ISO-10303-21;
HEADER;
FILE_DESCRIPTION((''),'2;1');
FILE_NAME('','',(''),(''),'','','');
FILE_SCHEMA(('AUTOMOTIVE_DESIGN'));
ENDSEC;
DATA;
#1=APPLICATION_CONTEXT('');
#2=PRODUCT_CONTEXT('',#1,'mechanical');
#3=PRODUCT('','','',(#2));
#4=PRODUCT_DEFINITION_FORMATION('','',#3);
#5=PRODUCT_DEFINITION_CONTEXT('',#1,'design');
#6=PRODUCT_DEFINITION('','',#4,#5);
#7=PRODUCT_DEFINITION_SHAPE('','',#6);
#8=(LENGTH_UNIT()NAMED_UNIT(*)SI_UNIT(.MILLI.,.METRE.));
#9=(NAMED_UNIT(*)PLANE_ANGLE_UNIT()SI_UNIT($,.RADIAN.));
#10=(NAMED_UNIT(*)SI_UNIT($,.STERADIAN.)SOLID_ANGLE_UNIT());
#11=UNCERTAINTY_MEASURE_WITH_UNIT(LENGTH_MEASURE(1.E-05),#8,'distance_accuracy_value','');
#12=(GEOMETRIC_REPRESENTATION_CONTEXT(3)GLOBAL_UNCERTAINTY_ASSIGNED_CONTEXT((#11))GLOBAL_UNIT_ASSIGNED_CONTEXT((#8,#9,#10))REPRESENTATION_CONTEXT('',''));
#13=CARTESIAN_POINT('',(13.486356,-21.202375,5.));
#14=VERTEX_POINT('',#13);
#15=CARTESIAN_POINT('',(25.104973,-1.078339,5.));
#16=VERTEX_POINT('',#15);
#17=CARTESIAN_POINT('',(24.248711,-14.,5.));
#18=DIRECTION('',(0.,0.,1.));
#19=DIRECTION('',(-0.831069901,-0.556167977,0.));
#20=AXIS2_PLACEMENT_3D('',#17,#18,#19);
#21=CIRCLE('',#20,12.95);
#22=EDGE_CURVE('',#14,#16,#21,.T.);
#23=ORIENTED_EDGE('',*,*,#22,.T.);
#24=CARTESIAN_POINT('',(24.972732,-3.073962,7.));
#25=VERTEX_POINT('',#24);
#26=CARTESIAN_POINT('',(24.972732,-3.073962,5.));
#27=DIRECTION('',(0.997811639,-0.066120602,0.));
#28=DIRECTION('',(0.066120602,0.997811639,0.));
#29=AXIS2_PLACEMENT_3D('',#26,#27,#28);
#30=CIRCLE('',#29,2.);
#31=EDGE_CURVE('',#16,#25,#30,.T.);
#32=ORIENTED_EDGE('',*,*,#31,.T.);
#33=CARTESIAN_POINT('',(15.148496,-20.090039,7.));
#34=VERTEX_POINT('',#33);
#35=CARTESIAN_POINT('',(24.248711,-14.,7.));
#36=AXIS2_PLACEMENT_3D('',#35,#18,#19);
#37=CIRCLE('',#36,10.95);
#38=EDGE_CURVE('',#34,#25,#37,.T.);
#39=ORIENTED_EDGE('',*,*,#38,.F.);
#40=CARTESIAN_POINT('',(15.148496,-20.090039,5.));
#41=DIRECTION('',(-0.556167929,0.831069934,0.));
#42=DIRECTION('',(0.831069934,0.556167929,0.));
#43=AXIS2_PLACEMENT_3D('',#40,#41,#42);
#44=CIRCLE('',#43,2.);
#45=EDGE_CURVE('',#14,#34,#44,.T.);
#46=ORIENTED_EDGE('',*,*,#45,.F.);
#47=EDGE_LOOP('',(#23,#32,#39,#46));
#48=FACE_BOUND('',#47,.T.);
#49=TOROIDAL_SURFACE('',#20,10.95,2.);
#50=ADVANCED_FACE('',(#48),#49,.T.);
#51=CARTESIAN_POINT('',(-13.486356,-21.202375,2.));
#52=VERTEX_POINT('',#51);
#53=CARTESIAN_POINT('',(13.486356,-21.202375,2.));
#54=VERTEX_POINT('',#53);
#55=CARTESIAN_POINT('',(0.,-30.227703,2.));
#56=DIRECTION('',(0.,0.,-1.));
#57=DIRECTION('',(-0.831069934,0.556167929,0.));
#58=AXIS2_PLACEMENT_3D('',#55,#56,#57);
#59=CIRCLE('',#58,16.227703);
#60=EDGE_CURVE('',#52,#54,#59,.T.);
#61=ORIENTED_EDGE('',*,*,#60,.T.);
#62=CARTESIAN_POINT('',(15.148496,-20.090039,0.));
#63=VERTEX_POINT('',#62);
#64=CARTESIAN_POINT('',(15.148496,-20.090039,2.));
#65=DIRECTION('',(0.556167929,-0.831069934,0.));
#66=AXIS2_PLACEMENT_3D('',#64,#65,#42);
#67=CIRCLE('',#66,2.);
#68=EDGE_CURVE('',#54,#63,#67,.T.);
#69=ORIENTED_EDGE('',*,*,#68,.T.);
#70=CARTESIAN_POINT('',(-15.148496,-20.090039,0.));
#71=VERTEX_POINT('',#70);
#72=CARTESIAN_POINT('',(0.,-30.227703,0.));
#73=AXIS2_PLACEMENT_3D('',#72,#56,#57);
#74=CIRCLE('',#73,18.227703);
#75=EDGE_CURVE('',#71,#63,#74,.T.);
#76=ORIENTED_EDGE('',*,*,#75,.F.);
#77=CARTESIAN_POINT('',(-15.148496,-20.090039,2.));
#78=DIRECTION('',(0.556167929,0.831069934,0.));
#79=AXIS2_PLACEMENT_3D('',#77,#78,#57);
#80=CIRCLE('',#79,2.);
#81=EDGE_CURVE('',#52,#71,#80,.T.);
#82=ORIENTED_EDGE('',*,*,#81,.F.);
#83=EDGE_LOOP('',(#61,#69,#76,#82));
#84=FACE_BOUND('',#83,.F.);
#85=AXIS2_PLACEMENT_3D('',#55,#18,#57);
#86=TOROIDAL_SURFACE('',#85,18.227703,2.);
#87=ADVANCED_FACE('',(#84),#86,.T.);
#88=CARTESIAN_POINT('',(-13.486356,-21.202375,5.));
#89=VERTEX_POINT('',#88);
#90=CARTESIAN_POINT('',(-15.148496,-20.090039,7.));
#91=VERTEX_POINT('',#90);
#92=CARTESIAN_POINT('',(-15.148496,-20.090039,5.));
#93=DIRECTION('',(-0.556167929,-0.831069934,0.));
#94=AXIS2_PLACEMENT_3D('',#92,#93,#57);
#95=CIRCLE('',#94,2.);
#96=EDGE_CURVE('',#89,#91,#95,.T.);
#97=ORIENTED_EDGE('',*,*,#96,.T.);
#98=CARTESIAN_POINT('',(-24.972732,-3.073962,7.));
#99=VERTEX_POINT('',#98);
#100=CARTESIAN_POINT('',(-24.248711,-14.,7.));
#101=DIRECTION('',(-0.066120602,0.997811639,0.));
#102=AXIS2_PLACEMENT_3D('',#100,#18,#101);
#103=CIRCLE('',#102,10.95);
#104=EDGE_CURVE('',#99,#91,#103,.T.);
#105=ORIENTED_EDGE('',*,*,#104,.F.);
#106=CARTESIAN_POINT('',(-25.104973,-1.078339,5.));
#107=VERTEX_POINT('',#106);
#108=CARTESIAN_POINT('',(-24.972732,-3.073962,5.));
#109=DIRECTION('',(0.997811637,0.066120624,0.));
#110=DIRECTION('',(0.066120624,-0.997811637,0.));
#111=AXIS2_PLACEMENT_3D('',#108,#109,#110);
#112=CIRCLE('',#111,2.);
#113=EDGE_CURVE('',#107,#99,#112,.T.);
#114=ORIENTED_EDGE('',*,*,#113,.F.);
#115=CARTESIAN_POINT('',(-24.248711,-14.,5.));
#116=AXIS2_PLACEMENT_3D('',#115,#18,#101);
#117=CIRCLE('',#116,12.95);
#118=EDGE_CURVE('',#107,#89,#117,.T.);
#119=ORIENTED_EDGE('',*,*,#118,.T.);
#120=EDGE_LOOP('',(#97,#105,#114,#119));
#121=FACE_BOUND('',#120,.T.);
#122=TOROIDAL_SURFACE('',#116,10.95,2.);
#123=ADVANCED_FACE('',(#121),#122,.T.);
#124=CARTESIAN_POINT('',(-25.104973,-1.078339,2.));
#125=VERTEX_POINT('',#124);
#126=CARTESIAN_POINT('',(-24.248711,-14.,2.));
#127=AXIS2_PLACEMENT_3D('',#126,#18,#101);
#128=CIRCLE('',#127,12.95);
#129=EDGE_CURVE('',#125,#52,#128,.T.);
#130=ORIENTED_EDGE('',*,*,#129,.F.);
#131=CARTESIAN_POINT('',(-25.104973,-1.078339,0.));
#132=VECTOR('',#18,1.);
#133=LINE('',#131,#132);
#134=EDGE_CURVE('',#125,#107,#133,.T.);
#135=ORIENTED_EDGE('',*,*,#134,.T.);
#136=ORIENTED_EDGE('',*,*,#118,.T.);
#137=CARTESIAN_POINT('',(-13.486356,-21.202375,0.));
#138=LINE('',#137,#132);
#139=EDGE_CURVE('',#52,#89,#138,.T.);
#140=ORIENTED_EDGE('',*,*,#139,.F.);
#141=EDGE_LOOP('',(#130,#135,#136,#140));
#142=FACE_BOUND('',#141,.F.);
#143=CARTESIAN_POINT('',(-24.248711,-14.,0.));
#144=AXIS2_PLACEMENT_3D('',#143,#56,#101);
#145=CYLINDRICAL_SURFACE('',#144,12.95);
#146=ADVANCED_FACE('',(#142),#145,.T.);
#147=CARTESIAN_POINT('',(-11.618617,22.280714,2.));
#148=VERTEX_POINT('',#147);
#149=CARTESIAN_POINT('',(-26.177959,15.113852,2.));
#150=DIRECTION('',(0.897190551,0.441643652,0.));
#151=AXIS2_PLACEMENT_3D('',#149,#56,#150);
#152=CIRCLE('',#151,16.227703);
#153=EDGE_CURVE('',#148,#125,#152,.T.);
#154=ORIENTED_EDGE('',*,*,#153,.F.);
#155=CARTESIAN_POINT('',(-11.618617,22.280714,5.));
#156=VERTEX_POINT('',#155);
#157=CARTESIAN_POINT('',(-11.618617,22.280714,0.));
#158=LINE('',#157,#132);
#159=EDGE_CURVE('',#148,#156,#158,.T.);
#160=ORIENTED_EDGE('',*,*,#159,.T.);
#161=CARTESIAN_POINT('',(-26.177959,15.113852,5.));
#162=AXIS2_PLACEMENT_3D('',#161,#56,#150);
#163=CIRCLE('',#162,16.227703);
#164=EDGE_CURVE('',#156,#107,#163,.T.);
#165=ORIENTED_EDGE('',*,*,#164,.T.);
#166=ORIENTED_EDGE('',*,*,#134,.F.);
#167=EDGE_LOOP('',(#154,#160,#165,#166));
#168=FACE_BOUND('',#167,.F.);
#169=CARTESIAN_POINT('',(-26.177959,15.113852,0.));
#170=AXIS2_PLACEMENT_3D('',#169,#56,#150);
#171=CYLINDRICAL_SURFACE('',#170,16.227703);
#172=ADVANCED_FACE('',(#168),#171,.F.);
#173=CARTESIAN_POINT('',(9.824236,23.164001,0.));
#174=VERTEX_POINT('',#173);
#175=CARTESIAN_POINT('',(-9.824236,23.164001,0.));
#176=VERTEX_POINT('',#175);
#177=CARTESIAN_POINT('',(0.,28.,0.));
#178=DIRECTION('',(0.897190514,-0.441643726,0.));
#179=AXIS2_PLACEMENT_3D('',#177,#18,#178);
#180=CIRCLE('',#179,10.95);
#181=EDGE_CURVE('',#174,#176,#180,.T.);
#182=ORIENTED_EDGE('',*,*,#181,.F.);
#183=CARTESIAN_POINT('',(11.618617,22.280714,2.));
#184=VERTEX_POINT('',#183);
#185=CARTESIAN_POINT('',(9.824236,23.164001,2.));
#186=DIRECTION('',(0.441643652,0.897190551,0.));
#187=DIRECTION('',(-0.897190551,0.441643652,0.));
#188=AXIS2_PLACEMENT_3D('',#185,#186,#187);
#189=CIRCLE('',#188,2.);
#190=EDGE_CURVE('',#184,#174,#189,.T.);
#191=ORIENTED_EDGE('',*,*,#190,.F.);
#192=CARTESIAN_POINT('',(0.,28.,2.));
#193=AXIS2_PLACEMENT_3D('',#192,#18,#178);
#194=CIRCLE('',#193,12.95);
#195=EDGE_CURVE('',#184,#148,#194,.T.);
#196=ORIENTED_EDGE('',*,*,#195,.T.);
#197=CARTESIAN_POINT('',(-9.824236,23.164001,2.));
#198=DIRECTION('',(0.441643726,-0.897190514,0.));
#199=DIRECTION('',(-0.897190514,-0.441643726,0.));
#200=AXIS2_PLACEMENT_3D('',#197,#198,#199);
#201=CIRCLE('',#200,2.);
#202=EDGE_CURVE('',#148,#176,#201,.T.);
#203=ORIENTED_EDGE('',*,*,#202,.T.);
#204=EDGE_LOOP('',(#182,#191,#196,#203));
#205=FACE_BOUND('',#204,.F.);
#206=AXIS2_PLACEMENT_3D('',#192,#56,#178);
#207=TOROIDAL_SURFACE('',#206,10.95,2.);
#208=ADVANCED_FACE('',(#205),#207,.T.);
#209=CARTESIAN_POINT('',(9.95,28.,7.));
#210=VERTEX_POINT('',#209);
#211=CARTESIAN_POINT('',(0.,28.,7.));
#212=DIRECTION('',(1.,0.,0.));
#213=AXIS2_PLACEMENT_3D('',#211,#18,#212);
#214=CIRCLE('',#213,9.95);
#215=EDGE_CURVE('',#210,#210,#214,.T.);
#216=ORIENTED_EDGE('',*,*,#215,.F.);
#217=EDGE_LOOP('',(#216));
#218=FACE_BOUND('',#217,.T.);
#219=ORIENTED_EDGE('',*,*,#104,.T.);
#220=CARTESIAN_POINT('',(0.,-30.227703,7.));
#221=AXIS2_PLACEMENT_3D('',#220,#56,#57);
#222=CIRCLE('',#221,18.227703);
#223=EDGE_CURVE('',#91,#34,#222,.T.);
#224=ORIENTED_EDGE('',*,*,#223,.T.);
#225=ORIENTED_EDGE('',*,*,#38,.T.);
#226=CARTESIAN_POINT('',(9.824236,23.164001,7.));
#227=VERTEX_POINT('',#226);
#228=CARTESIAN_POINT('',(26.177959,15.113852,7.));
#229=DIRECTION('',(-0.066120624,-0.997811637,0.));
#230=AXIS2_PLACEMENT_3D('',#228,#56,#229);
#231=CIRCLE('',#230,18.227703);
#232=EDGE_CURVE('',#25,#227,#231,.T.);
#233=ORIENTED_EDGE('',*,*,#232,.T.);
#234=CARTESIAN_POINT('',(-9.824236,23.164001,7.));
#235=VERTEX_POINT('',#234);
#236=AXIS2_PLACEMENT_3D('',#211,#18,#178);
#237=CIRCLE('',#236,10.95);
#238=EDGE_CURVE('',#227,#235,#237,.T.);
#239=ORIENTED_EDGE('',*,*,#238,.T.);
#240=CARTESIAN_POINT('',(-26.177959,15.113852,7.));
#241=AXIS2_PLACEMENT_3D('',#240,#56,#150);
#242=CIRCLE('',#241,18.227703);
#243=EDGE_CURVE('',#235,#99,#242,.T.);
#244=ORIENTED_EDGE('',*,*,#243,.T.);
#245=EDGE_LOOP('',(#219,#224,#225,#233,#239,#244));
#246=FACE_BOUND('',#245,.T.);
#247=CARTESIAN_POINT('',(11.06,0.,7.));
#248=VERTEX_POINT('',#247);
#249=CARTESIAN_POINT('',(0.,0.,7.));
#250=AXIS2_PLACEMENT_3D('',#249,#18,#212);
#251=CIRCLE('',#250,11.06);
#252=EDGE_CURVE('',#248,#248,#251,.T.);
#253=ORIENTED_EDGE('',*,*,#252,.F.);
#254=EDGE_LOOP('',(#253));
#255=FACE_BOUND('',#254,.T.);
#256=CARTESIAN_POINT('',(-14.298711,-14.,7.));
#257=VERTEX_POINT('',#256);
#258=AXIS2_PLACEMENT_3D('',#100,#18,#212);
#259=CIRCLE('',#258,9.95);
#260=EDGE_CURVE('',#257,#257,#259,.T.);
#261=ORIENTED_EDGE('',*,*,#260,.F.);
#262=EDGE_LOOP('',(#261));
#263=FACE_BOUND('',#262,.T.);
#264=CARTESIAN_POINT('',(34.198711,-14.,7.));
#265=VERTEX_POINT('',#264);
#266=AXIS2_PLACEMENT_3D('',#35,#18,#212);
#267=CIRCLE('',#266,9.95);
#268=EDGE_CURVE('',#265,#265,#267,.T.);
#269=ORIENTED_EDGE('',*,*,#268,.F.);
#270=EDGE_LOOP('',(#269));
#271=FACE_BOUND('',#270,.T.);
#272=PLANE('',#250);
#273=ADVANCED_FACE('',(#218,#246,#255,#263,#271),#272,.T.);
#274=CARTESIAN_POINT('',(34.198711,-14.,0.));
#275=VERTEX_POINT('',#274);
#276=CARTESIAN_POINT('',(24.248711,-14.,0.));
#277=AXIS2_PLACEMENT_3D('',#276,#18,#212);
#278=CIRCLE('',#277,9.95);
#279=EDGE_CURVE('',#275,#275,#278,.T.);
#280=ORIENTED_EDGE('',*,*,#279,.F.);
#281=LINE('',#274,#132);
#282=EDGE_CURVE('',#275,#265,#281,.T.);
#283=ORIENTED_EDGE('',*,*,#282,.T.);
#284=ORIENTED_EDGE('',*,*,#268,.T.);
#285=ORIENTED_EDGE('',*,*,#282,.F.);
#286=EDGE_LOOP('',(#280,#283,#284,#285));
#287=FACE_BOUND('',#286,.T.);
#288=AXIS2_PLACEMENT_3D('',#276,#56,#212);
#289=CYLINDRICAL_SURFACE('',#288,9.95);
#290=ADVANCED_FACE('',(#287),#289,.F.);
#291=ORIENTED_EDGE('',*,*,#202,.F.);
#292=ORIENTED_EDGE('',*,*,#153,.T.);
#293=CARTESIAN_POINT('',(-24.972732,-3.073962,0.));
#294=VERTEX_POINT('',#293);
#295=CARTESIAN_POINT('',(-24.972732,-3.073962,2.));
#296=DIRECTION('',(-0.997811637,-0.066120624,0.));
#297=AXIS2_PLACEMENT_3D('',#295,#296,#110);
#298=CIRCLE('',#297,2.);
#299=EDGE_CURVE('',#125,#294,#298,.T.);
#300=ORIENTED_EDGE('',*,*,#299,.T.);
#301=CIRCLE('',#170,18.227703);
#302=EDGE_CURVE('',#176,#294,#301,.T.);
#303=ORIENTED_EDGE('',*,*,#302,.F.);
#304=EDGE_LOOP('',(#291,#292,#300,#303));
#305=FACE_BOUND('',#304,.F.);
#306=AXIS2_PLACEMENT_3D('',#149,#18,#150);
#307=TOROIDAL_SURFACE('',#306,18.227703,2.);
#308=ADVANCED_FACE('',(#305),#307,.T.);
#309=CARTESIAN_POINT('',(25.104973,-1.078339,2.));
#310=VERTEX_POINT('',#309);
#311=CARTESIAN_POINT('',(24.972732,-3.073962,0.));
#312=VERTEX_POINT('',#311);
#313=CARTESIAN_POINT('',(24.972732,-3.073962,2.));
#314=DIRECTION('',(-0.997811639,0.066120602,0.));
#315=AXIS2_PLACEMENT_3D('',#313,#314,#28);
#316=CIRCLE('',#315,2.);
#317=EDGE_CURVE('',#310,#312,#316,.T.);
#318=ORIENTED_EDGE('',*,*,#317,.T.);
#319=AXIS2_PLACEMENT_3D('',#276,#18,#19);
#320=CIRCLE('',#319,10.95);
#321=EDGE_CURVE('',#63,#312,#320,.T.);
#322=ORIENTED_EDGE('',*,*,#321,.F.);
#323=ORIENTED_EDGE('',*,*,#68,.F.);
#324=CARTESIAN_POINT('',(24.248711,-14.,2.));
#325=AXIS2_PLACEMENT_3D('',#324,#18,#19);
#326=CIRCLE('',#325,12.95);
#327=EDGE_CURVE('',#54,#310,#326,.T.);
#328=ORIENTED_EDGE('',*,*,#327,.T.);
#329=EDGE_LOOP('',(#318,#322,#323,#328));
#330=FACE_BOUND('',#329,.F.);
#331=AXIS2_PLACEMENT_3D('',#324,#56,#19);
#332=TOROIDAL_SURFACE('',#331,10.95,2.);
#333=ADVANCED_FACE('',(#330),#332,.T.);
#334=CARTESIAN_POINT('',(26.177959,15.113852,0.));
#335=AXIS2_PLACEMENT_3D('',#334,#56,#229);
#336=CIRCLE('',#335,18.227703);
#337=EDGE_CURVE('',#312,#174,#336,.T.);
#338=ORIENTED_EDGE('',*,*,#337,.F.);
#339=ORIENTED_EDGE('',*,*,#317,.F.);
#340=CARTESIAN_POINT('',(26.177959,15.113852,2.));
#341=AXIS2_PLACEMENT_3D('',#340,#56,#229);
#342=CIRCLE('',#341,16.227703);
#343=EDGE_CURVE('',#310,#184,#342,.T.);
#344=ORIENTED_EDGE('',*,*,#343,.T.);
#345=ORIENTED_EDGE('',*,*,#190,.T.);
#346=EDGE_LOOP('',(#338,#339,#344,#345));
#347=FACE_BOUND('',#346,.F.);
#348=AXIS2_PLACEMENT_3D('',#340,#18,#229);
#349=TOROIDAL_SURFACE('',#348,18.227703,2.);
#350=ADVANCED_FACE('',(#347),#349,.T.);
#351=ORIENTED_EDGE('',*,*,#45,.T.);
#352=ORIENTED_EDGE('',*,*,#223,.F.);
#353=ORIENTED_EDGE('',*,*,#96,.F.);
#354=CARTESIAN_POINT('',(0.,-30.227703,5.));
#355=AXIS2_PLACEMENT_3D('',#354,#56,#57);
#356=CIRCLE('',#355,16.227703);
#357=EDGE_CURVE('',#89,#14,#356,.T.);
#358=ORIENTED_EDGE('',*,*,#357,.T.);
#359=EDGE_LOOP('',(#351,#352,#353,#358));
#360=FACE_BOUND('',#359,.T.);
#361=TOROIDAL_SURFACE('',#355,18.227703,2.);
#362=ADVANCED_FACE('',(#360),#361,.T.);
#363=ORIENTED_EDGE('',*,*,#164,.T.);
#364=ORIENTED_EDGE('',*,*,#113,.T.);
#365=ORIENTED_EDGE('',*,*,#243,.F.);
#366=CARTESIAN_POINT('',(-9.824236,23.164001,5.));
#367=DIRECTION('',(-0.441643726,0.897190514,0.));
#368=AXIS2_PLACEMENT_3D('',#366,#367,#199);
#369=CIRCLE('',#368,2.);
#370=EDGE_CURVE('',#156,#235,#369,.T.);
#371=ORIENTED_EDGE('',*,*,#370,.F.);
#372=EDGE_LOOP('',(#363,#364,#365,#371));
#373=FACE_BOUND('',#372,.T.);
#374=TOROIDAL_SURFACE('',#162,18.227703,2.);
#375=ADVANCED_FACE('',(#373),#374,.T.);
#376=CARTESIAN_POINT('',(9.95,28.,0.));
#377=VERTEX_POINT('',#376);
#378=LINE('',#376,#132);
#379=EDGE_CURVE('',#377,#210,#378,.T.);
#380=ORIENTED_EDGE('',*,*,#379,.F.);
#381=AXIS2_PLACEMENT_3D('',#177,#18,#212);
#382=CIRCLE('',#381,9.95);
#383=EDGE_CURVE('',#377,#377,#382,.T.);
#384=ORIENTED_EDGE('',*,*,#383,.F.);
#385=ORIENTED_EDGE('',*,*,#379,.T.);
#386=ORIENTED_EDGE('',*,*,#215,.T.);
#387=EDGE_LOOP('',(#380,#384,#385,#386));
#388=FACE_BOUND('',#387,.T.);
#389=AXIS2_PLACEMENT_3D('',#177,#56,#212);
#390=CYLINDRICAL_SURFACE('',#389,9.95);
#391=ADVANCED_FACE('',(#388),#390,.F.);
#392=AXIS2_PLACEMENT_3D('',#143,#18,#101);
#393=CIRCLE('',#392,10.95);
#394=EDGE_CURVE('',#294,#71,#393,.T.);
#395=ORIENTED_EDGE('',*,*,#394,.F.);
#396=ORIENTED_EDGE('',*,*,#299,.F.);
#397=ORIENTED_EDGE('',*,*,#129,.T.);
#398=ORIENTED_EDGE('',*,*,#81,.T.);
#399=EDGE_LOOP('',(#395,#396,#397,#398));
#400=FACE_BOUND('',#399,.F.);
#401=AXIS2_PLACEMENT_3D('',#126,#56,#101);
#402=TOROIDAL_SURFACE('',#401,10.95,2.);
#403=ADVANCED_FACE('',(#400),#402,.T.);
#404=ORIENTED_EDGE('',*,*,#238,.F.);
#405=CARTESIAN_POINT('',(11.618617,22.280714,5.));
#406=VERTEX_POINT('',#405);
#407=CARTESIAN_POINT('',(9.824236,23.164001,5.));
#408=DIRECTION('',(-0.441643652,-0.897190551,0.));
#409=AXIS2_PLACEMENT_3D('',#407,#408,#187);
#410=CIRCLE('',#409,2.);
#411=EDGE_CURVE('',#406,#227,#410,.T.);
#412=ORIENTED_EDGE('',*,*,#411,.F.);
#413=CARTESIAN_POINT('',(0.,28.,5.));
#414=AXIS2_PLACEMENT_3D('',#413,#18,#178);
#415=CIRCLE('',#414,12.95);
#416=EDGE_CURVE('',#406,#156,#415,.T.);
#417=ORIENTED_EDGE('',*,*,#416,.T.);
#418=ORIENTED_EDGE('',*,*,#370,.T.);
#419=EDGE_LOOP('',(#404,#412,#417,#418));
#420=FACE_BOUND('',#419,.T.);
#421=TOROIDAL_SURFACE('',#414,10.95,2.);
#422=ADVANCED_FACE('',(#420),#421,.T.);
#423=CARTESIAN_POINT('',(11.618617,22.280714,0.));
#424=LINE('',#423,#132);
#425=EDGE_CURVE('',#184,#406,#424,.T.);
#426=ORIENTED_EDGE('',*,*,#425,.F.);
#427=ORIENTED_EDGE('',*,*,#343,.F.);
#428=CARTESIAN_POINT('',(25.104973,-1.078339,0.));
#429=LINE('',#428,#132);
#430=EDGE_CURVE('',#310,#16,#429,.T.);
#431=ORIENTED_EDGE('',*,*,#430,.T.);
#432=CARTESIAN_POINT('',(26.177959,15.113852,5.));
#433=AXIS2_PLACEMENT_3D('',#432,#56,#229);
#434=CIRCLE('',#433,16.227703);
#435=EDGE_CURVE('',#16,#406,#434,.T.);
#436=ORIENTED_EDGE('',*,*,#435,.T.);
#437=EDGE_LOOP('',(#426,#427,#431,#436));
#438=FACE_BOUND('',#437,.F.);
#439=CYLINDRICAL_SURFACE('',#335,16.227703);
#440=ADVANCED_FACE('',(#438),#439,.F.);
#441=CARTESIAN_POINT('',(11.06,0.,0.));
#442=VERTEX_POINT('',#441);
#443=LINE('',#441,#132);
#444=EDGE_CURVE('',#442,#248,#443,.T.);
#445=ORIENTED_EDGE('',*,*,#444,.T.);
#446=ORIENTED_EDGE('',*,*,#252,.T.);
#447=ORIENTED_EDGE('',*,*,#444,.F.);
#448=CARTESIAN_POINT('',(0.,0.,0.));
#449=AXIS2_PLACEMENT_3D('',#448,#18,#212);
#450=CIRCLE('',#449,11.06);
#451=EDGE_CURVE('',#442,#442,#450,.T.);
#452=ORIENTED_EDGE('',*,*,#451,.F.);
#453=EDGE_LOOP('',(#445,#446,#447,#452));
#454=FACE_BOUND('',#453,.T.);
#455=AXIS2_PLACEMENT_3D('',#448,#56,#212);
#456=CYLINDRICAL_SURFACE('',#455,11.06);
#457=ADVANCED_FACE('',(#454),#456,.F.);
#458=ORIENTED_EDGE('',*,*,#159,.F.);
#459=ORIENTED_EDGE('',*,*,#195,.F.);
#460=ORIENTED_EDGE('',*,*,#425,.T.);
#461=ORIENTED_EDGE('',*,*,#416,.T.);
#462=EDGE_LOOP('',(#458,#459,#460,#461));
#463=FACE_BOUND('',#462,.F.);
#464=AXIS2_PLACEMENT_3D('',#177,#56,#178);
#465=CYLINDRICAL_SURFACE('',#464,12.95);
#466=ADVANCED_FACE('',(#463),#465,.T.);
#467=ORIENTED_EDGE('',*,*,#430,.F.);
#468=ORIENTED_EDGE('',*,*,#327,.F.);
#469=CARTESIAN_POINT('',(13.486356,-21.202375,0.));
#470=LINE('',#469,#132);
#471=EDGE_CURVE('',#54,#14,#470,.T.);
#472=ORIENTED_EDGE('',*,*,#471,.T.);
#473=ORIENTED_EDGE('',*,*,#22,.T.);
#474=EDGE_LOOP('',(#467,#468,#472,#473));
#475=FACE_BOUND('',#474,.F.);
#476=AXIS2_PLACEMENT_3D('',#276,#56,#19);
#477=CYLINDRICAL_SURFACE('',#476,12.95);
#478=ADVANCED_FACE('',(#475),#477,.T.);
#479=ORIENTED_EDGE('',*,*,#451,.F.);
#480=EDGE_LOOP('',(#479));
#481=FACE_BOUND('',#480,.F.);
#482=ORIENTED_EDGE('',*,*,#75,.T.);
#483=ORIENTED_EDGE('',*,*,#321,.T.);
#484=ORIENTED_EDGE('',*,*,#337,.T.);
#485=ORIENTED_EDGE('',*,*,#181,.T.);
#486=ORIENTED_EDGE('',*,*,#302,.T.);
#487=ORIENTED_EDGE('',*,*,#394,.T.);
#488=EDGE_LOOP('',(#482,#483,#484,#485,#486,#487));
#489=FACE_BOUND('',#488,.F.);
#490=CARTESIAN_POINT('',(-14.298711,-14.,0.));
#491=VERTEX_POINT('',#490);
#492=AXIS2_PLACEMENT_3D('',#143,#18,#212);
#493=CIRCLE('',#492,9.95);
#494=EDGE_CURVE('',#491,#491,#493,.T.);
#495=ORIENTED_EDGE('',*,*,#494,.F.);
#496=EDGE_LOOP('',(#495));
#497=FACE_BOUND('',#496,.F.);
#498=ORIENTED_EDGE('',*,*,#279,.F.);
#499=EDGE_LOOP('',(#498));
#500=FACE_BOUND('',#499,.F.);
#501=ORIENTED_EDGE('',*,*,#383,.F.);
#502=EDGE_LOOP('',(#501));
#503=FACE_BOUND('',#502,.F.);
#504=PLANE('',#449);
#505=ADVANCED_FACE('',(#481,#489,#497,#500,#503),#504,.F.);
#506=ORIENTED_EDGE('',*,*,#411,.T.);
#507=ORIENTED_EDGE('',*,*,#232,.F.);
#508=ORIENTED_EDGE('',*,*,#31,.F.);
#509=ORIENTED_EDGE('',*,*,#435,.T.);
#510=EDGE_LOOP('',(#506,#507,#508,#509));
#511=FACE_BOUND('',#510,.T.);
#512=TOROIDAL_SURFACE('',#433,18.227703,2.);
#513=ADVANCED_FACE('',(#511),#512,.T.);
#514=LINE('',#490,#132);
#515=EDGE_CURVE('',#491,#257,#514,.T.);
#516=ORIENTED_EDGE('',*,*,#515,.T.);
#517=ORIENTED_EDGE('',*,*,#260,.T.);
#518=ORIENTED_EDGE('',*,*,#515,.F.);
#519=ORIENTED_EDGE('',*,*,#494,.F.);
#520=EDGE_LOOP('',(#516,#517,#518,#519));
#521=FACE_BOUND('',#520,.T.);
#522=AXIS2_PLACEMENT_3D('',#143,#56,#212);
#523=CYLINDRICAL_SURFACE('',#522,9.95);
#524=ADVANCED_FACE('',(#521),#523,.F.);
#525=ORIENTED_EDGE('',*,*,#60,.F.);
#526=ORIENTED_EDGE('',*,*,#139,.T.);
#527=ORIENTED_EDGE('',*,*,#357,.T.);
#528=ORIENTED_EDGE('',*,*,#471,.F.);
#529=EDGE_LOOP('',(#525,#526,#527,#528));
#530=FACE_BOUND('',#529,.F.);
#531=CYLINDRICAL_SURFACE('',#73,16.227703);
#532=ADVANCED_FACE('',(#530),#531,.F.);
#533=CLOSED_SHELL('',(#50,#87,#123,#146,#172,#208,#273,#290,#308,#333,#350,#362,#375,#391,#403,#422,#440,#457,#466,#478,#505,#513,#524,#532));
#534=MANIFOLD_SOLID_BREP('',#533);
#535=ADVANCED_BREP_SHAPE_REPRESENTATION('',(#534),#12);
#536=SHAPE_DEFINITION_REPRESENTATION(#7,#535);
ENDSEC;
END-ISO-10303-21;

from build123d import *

# Parameters (mm, degrees)
F0_R     = 9.95
F0_R_2   = 11.06
F1_DEPTH = 7
F2_R     = 2


with BuildPart() as f1:
    # F0 (on Top) → F1 (new body)
    with BuildSketch(Plane.XY):
        with BuildLine():
            ThreePointArc((25.104973, -1.078339), (12.124356, 7), (11.618617, 22.280714))
            ThreePointArc((11.618617, 22.280714), (0, 40.95), (-11.618617, 22.280714))
            ThreePointArc((-11.618617, 22.280714), (-12.124356, 7), (-25.104973, -1.078339))
            ThreePointArc((-25.104973, -1.078339), (-35.46374, -20.475), (-13.486356, -21.202375))
            ThreePointArc((-13.486356, -21.202375), (0, -14), (13.486356, -21.202375))
            ThreePointArc((13.486356, -21.202375), (35.46374, -20.475), (25.104973, -1.078339))
        make_face()
        with Locations((-24.248711, -14)):
            Circle(F0_R, mode=Mode.SUBTRACT)
        with Locations((24.248711, -14)):
            Circle(F0_R, mode=Mode.SUBTRACT)
        Circle(F0_R_2, mode=Mode.SUBTRACT)
        with Locations((0, 28)):
            Circle(F0_R, mode=Mode.SUBTRACT)
    extrude(amount=F1_DEPTH)

    # F2
    f2_edges = [f1.edges().sort_by_distance(p)[0] for p in [
        (0, -14, 7),
        (0, -14, 0),
    ]]
    fillet(f2_edges, radius=F2_R)


solid = f1.part
